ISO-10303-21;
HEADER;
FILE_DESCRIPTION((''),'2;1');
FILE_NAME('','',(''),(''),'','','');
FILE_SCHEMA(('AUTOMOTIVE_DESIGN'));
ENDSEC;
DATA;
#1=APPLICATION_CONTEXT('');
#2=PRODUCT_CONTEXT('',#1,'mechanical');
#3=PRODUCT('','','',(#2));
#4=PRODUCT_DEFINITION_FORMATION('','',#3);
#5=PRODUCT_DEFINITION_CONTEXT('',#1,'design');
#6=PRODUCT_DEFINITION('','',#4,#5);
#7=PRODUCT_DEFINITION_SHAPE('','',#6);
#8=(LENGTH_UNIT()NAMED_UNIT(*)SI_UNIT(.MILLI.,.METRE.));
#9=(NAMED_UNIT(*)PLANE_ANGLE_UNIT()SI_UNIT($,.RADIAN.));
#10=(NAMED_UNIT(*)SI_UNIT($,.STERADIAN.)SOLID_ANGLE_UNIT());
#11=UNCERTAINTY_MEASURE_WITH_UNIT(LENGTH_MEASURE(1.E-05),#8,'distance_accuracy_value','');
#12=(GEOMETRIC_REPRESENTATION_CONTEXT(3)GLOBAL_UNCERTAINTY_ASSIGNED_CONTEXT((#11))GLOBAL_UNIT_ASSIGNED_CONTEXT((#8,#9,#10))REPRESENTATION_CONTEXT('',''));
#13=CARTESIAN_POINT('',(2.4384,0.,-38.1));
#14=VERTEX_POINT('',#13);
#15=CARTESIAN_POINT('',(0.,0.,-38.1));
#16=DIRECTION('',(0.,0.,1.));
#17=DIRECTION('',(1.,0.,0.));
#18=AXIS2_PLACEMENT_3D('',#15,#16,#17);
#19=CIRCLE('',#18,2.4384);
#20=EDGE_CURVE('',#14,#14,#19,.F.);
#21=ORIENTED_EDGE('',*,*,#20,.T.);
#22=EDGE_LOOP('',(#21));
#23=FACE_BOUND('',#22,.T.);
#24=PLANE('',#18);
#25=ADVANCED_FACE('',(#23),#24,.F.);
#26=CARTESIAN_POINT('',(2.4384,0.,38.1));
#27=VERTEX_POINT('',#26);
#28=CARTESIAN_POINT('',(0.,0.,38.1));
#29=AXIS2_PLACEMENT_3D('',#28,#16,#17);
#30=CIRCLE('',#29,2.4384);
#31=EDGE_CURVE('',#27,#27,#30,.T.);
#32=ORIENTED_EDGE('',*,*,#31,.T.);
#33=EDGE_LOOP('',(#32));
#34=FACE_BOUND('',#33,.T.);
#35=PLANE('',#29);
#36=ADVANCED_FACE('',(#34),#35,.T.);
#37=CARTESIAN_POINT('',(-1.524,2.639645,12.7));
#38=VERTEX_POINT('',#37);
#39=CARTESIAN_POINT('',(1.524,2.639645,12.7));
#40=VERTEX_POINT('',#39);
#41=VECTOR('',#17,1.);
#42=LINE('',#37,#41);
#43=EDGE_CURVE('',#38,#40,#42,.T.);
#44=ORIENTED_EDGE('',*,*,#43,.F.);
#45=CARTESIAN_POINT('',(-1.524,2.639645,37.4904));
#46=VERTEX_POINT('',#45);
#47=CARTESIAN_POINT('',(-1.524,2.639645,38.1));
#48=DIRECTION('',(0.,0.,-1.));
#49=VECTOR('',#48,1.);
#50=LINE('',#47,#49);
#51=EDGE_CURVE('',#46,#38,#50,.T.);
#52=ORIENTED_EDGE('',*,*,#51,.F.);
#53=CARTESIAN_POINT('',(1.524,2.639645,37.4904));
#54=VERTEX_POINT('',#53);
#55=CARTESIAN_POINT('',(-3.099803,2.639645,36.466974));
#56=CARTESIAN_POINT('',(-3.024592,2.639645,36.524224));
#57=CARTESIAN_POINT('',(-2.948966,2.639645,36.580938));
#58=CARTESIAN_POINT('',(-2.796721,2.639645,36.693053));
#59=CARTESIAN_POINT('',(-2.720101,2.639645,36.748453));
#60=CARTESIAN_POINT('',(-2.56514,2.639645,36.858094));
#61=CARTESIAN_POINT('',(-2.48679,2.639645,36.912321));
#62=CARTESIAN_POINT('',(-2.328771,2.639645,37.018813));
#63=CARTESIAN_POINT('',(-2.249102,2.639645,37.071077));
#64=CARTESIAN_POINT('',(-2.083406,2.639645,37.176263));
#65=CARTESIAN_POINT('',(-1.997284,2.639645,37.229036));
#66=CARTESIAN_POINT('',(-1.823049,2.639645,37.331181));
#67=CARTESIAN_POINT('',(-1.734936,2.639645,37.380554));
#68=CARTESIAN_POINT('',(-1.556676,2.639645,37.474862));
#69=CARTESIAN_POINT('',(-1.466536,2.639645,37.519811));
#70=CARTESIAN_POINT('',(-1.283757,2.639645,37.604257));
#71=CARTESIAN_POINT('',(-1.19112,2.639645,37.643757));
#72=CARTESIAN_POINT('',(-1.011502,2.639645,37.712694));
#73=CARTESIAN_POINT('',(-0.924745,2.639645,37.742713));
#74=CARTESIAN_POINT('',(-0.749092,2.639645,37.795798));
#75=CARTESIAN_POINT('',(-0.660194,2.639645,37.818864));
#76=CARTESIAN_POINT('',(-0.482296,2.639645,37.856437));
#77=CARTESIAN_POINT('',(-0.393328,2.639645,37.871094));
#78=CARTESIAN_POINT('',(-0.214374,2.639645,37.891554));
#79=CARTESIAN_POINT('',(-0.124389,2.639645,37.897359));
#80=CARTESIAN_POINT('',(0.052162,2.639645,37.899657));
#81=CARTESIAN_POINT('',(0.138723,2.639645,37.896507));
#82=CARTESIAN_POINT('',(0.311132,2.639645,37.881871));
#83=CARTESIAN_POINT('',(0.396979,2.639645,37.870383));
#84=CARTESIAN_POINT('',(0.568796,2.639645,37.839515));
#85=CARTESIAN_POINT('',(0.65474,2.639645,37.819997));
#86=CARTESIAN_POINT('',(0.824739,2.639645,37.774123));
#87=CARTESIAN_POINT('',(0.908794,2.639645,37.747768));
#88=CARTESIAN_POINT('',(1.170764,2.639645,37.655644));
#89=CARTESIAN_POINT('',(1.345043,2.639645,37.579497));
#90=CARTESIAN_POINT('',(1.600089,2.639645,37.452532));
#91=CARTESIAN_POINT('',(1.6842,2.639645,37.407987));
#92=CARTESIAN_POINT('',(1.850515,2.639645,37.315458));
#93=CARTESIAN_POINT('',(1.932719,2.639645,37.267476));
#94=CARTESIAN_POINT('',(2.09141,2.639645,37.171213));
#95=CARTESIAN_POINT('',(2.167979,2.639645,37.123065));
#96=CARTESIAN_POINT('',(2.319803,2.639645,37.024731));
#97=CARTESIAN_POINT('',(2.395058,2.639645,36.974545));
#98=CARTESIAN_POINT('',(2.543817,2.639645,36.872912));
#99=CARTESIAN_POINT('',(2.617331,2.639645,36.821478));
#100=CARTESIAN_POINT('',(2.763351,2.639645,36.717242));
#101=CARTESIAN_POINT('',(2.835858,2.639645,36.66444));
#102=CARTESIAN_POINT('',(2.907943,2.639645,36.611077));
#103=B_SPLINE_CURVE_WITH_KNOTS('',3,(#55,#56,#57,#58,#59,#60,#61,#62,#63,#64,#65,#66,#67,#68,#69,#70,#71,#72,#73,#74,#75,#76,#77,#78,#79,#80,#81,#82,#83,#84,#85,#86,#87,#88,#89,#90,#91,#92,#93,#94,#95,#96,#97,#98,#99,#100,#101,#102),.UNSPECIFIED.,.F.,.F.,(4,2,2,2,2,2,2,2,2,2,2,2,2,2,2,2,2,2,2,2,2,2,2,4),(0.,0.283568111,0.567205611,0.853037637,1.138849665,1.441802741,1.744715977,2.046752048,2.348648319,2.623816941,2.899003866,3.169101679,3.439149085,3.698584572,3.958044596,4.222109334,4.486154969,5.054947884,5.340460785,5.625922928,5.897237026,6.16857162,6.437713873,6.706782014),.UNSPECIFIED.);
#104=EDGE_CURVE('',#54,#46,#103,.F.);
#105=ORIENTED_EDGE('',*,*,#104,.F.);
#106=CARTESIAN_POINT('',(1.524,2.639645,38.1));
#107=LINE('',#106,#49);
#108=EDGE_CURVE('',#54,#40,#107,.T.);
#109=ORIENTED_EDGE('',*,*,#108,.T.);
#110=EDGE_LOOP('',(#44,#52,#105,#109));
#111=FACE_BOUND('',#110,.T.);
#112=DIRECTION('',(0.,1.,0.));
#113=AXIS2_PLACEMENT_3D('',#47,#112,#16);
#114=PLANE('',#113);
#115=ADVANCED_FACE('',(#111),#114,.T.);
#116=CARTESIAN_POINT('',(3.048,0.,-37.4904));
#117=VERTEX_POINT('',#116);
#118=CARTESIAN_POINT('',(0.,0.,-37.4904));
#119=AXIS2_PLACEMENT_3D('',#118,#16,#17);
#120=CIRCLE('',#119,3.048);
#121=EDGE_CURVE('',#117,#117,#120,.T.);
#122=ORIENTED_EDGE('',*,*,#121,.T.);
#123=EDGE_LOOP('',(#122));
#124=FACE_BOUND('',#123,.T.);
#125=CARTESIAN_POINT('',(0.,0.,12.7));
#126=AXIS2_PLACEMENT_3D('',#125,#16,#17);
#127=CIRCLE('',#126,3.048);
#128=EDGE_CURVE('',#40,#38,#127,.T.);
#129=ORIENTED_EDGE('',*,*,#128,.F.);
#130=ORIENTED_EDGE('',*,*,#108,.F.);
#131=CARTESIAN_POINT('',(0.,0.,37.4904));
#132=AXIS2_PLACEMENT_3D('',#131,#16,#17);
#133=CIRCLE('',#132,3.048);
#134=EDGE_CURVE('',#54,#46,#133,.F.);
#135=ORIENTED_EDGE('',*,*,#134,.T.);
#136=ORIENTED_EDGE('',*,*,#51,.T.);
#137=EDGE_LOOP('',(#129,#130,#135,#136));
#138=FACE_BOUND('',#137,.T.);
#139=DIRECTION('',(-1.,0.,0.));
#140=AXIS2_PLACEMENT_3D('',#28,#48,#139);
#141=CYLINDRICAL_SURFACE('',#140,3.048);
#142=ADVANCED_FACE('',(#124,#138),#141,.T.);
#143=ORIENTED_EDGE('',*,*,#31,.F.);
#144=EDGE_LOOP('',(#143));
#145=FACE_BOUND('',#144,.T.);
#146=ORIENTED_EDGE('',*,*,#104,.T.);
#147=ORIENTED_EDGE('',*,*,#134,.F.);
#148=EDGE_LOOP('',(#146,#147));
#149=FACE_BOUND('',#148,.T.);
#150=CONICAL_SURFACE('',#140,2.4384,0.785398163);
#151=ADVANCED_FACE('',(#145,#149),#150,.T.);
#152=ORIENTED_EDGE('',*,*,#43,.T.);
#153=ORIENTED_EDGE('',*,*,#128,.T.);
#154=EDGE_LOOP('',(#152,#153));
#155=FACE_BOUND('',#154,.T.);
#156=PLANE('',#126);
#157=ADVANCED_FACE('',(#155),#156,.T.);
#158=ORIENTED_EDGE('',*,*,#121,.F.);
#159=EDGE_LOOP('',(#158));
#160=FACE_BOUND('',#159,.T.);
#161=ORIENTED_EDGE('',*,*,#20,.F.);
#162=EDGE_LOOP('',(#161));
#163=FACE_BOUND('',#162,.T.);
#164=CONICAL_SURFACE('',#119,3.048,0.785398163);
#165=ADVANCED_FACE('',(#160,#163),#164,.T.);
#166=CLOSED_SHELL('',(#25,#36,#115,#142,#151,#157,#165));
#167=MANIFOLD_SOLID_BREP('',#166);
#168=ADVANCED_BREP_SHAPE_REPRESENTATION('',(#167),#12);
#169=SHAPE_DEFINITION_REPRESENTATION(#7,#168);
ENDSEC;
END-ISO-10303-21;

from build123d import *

# Parameters (mm, degrees)
SKETCH1_R      = 3.048
EXTRUDE1_DEPTH = 38.1
CHAMFER1_SIZE  = 0.6096
EXTRUDE7_DEPTH = 26.4


with BuildPart() as part:
    # Sketch1 → Extrude1 (new body, symmetric)
    with BuildSketch(Plane.XY):
        Circle(SKETCH1_R)
    extrude(amount=EXTRUDE1_DEPTH, both=True)

    # Chamfer1
    chamfer1_edges = [part.edges().sort_by_distance(p)[0] for p in [
        (-3.048, 0, -38.1),
        (-3.048, 0, 38.1),
    ]]
    chamfer(chamfer1_edges, length=CHAMFER1_SIZE)

    # Sketch13 → Extrude7 (cut, through all)
    with BuildSketch(Plane.XY.offset(12.7)):
        with BuildLine():
            Line((-1.524, 2.639645431), (1.524, 2.639645431))
            ThreePointArc((1.524, 2.639645431), (0, 3.048), (-1.524, 2.639645431))
        make_face()
    extrude(amount=EXTRUDE7_DEPTH, mode=Mode.SUBTRACT)


solid = part.part
